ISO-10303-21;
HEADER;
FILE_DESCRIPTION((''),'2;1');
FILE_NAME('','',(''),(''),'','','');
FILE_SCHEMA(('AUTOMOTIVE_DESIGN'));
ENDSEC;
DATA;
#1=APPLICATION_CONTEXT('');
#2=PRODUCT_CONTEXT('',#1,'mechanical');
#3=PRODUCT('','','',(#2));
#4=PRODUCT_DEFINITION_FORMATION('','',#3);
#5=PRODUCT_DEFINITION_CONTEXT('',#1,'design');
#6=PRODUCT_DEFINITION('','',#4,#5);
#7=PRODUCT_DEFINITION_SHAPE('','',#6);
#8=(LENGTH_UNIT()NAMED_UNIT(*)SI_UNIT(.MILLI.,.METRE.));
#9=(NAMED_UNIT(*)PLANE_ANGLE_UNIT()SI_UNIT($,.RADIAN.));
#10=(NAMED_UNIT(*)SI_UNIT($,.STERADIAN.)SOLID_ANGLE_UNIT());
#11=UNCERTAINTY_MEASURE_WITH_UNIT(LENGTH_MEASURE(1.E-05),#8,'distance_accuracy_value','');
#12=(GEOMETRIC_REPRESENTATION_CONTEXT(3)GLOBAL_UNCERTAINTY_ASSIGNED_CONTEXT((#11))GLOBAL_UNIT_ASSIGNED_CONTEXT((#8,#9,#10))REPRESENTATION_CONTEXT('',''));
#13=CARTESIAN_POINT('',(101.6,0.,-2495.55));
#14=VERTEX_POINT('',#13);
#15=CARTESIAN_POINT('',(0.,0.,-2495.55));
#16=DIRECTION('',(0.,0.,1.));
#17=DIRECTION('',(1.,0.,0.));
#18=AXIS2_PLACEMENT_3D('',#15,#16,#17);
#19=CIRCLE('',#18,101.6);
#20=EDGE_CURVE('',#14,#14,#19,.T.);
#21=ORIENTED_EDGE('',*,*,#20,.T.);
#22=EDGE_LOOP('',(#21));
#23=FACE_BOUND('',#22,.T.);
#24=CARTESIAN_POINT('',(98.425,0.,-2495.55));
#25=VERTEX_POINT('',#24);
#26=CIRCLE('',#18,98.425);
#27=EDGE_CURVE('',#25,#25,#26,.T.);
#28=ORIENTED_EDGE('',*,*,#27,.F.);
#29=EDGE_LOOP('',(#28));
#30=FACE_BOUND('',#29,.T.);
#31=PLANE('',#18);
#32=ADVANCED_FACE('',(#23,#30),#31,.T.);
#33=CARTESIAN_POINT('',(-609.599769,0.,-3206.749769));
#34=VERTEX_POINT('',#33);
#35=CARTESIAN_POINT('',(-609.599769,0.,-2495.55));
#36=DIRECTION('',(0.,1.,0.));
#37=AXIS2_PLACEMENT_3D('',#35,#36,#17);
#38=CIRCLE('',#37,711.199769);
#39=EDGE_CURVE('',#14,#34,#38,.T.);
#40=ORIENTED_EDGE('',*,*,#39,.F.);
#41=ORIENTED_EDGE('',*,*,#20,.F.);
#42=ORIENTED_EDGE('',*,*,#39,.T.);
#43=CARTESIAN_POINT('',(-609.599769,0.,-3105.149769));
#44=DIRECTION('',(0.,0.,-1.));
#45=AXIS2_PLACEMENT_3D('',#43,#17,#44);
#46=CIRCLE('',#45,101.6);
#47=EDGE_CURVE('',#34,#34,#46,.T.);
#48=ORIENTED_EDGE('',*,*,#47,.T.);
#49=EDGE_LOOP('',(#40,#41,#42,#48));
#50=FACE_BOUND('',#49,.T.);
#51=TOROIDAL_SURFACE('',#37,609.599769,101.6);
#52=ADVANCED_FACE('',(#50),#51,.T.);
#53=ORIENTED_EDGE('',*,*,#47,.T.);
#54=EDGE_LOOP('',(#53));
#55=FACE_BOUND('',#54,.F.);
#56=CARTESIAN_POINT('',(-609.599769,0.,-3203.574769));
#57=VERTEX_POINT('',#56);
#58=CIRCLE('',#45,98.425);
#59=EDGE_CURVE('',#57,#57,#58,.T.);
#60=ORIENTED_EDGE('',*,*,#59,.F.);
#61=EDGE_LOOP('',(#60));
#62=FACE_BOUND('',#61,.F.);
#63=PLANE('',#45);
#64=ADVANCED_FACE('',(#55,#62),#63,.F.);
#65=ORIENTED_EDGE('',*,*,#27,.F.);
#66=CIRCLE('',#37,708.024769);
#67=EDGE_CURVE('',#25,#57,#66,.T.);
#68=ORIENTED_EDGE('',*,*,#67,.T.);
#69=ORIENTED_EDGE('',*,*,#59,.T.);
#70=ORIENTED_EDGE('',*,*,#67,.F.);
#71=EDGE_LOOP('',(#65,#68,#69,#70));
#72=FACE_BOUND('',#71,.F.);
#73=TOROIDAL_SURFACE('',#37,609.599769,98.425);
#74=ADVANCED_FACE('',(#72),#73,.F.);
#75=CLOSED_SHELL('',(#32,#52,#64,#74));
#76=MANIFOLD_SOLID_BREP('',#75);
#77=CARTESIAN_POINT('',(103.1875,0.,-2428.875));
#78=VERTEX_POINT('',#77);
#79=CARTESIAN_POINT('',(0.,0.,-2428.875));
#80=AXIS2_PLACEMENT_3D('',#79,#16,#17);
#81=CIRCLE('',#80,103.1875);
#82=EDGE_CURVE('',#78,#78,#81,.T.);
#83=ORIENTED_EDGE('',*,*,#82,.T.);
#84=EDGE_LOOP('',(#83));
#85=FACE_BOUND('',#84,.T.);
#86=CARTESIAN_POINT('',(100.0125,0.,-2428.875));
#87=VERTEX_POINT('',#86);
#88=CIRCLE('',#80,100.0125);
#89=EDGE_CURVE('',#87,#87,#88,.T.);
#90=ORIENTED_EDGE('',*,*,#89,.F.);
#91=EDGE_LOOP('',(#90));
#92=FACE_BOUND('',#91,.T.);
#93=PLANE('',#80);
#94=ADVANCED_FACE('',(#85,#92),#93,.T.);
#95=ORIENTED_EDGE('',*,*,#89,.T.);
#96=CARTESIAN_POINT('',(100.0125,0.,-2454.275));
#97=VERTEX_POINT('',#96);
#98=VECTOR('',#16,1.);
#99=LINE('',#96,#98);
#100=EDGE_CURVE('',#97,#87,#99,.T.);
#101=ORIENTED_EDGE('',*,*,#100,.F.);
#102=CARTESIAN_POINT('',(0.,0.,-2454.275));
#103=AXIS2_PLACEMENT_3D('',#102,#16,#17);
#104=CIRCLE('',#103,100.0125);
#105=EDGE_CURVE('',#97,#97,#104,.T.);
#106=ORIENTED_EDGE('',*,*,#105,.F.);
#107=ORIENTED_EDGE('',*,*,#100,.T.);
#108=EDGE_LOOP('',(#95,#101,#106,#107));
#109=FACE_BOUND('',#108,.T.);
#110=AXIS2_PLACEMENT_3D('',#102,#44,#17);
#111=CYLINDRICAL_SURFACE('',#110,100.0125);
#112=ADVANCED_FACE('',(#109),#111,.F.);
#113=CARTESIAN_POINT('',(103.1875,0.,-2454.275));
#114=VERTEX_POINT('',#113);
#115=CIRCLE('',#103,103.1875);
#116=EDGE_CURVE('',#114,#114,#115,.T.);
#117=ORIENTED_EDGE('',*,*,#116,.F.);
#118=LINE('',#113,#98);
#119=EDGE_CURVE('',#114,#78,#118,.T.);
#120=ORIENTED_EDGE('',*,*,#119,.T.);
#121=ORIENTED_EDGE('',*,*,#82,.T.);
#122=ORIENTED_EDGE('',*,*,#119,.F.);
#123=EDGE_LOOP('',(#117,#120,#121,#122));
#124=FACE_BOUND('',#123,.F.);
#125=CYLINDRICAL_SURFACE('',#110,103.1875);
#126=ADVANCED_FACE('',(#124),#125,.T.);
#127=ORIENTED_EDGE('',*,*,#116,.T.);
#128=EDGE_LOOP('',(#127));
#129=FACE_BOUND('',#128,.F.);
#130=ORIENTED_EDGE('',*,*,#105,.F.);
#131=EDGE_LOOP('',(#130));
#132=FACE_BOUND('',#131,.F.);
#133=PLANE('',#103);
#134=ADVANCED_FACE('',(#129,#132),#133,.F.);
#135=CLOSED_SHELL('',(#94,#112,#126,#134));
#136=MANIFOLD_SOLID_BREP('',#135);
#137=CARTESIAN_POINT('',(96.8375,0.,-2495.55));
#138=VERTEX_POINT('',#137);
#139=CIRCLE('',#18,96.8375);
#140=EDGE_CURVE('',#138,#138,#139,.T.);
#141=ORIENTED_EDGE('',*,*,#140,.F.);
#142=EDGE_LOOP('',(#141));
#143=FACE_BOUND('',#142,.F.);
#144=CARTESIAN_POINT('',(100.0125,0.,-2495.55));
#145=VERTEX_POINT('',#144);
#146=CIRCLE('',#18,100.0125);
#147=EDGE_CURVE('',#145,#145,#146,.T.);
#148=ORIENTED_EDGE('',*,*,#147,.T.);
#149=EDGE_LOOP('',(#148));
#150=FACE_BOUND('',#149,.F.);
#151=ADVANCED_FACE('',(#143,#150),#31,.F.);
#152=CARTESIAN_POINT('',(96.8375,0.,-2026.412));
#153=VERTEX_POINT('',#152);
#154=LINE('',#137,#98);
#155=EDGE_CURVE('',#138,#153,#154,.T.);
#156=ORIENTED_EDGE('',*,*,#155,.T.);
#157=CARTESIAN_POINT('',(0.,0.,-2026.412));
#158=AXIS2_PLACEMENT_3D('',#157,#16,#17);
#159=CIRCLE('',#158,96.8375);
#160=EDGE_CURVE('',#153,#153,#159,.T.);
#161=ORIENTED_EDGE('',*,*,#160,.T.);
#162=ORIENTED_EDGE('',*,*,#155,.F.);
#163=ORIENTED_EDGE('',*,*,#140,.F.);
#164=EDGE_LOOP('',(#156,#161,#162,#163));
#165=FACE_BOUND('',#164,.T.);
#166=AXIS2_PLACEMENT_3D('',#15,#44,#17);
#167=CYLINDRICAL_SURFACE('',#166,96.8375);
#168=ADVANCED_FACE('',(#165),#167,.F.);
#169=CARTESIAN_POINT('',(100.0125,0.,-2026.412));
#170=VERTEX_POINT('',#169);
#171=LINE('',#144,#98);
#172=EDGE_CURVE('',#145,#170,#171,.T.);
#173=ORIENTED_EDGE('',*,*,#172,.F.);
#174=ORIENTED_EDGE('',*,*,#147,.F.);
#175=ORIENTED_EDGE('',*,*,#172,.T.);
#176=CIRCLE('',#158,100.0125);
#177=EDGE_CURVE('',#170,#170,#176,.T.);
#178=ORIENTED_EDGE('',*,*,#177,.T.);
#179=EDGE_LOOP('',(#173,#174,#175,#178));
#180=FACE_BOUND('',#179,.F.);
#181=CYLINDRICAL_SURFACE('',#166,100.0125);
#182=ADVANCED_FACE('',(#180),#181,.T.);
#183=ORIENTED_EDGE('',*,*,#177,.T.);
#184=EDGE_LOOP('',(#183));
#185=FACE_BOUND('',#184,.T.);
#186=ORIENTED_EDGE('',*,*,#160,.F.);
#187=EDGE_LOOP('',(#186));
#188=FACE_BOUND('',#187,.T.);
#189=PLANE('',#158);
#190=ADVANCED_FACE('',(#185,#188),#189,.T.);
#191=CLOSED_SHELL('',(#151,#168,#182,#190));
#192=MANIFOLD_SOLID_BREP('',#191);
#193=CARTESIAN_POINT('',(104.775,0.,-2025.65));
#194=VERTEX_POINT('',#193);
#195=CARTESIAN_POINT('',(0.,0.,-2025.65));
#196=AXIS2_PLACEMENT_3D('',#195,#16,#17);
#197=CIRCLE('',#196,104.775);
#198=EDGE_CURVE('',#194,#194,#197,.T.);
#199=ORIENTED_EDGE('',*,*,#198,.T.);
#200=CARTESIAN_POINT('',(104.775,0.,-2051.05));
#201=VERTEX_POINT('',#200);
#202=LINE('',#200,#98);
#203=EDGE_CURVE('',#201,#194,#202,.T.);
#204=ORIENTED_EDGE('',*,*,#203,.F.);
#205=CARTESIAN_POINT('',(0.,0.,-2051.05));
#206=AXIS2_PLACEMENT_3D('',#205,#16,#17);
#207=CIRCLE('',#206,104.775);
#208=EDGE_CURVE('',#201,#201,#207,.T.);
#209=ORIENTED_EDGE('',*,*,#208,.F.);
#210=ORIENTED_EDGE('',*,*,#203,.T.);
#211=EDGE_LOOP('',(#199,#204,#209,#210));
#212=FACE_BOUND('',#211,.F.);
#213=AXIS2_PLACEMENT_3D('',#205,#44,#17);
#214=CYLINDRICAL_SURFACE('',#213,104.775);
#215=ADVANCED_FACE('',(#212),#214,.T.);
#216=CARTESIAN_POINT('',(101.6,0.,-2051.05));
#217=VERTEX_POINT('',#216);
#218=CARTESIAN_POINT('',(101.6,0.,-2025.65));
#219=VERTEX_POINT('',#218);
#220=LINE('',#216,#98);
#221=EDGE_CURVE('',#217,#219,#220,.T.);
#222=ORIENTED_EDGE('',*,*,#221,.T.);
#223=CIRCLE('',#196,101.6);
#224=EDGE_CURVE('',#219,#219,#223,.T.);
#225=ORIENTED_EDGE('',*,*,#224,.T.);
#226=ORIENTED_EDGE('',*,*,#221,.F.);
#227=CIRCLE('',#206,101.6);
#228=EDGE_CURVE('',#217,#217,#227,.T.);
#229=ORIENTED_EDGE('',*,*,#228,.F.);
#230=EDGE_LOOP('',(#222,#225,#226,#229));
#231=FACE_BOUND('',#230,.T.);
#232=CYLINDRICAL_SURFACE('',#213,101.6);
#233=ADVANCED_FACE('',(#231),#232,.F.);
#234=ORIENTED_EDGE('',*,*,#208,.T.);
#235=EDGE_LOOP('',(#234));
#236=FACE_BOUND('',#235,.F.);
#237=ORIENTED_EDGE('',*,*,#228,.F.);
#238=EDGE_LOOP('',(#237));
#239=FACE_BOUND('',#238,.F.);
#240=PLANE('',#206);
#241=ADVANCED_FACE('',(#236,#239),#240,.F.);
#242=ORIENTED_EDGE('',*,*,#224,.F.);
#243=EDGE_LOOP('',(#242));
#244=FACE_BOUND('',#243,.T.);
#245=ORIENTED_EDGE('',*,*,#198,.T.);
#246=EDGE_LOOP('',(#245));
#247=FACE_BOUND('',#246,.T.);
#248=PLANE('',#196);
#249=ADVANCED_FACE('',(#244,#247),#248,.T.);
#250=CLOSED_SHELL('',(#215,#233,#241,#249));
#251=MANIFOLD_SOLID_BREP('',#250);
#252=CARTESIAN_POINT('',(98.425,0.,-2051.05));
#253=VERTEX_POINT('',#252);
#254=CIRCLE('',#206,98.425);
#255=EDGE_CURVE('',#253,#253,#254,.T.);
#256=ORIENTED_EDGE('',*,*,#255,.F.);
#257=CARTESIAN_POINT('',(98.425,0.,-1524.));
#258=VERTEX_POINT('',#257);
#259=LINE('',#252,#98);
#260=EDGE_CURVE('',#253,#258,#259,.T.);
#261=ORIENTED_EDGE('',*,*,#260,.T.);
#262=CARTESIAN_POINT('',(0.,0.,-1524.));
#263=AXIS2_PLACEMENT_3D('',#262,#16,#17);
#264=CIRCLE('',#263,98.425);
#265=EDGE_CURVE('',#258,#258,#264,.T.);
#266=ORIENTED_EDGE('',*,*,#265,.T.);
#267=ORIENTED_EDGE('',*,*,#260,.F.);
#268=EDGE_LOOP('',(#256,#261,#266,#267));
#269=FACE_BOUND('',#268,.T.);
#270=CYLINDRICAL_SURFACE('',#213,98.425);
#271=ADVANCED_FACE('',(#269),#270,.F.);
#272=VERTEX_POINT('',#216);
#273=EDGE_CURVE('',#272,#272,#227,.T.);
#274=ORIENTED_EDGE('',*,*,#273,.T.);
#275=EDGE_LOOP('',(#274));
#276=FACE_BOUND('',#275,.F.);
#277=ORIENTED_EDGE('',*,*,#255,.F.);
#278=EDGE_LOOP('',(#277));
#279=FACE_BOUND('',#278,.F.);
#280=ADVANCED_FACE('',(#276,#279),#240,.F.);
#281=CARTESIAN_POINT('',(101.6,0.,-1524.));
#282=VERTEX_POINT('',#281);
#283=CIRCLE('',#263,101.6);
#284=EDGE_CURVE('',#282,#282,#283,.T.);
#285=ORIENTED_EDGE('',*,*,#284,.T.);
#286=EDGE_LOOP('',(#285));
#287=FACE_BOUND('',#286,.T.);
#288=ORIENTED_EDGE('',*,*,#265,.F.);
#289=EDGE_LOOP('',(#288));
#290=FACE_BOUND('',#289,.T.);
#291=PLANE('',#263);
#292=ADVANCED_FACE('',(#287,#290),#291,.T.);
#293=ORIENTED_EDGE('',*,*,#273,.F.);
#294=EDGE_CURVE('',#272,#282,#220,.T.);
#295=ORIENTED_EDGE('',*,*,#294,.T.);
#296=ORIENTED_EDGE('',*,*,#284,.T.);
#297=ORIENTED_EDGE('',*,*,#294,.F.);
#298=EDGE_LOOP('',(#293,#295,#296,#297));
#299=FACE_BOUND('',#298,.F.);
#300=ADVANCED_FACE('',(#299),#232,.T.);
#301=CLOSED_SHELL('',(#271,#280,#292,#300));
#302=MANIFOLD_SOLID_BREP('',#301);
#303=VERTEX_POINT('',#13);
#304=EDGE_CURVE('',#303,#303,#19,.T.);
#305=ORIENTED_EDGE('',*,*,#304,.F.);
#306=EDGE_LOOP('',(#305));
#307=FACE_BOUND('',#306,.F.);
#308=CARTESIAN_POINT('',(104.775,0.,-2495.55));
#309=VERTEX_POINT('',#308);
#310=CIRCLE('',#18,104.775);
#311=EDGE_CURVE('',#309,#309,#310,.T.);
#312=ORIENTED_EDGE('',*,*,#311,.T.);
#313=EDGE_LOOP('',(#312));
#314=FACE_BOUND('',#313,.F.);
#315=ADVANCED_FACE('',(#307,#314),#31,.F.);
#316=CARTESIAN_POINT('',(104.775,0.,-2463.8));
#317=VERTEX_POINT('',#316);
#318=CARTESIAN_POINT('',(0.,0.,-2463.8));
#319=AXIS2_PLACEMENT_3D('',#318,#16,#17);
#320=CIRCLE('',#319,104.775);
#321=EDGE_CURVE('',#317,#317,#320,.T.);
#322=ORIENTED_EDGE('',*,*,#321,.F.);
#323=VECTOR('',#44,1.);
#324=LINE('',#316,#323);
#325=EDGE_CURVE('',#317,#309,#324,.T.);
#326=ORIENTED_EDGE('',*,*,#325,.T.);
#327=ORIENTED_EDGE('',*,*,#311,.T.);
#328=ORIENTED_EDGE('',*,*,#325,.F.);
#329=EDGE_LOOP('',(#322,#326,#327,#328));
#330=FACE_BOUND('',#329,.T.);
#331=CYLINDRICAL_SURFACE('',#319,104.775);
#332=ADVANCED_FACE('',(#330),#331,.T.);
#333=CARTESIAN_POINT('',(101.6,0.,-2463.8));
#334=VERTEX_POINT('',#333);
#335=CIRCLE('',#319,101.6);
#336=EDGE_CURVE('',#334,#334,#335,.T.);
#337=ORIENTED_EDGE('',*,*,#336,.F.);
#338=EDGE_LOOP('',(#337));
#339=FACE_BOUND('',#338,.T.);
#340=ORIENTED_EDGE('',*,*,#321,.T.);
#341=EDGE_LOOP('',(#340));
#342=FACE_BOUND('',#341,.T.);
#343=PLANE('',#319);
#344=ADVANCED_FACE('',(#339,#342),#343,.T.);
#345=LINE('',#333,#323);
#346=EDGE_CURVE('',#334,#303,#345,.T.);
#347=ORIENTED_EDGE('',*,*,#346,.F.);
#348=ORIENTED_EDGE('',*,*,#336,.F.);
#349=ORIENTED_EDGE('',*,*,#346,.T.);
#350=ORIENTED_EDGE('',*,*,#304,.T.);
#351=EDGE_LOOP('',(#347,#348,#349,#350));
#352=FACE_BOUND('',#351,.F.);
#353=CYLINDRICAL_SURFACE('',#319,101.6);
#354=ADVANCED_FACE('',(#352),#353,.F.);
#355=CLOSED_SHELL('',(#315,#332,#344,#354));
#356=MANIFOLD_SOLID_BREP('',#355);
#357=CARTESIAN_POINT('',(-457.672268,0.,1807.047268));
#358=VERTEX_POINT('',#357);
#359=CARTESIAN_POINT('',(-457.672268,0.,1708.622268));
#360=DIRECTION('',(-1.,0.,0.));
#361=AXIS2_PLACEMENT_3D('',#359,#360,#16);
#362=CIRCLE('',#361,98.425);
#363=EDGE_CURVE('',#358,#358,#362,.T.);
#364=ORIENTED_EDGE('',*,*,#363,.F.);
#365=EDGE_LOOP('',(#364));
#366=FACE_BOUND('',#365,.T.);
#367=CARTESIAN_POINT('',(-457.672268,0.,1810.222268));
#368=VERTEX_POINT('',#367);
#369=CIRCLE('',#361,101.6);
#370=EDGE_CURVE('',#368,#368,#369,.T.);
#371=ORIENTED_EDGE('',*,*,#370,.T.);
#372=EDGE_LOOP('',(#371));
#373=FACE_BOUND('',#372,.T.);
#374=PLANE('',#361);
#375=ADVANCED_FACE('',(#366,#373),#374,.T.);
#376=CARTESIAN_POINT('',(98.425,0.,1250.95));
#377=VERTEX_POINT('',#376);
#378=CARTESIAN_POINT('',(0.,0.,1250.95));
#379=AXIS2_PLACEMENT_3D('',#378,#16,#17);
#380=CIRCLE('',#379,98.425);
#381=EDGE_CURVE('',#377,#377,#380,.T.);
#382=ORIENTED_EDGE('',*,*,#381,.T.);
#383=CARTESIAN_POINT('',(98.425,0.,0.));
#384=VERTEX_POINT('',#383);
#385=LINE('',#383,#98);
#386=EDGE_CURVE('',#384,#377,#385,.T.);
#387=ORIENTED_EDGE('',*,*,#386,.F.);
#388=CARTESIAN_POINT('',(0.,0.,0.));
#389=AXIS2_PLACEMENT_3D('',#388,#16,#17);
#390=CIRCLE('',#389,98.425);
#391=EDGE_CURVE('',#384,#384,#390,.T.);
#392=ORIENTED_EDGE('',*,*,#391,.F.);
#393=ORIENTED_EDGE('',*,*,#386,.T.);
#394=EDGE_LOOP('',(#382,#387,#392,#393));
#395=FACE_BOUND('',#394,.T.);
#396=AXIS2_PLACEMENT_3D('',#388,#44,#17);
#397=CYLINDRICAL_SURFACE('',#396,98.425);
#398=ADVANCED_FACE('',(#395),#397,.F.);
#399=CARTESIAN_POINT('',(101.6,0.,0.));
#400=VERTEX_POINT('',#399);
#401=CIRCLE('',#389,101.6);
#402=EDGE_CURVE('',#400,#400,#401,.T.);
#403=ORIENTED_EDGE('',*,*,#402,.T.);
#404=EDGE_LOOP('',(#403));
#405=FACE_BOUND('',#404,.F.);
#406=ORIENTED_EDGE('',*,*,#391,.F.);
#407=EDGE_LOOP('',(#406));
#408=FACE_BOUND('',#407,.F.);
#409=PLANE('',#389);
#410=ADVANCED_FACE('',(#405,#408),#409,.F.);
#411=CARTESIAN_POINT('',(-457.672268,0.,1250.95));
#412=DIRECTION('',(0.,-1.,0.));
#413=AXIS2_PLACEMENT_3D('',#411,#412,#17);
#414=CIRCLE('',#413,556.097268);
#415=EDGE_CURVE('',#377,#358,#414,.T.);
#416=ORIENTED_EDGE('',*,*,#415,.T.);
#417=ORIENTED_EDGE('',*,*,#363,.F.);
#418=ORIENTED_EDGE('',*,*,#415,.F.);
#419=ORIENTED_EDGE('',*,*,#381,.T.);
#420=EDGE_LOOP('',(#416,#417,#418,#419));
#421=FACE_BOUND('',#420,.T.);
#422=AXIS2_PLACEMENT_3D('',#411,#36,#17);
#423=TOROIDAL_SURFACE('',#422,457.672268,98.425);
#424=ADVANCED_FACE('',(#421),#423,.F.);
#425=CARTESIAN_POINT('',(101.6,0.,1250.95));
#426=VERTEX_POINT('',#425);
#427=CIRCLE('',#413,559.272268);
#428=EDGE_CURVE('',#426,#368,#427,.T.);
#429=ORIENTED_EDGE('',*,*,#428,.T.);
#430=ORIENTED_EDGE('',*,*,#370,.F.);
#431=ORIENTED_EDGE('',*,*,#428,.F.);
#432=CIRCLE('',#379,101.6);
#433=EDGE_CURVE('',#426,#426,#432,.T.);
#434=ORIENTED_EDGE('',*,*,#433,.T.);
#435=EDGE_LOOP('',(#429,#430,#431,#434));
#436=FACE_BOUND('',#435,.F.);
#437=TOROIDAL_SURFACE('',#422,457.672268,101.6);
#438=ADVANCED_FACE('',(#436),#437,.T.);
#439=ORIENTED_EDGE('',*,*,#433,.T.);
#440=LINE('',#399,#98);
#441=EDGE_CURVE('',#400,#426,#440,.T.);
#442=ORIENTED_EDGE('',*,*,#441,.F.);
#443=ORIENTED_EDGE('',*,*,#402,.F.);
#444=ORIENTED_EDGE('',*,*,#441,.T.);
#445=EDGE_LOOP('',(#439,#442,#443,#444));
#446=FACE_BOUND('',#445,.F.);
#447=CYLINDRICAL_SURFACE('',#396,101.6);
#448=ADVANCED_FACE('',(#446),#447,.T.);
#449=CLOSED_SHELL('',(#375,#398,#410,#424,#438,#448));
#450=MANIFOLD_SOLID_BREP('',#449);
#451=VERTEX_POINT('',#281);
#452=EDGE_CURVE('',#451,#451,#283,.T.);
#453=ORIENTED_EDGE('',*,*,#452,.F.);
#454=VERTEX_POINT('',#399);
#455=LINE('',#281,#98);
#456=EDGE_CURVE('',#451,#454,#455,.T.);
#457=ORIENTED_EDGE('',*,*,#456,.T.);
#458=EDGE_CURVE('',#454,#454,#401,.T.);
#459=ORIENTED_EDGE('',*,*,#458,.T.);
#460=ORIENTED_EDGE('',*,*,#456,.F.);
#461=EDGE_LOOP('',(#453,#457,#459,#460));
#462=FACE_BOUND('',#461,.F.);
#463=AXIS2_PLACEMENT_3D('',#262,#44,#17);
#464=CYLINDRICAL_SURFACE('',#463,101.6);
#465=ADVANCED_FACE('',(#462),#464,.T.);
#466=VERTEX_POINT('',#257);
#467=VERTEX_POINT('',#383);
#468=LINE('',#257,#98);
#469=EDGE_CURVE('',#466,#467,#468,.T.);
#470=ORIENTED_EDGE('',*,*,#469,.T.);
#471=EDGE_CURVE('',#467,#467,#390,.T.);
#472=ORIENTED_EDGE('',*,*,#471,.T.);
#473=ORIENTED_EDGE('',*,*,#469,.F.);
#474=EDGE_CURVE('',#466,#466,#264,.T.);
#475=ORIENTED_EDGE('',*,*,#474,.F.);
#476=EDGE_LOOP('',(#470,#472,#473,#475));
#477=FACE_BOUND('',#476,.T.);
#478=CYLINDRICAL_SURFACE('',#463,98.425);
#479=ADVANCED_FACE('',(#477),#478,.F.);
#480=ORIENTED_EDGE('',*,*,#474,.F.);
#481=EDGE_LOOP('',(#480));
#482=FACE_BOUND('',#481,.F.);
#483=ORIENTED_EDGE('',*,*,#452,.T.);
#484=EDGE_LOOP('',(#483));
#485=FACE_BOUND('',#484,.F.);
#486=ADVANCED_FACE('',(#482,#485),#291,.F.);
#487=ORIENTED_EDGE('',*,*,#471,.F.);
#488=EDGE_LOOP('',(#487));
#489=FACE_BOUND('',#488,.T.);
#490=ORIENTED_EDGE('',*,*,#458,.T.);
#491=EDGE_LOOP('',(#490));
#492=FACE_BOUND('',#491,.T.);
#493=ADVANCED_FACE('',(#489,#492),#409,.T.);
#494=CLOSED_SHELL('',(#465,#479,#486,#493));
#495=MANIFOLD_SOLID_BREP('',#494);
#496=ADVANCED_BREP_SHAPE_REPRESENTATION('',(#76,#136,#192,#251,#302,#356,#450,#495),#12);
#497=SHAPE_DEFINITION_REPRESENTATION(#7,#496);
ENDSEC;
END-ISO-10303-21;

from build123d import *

# Parameters (mm, degrees)
F4_R      = 101.6
F4_R_2    = 98.425
F5_ANGLE  = 90
F2_R      = 104.775
F2_R_2    = 101.6
F7_DEPTH  = 31.75
F8_R      = 104.775
F8_R_2    = 101.6
F9_DEPTH  = 25.4
F10_R     = 100.0125
F10_R_2   = 96.8375
F11_DEPTH = 469.138
F13_R     = 103.1875
F13_R_2   = 100.0125
F14_DEPTH = 25.4
F15_R     = 101.6
F15_R_2   = 98.425
F16_DEPTH = 527.05
F18_R     = 101.6
F18_R_2   = 98.425
F19_DEPTH = 1524
F22_R     = 101.6
F22_R_2   = 98.425
F23_ANGLE = 90
F20_R     = 101.6
F20_R_2   = 98.425
F24_DEPTH = 1250.95


with BuildPart() as f5:
    # F4 (on line) → F5 (revolve)
    with BuildSketch(Plane.XY.offset(-2495.55)):
        Circle(F4_R)
        Circle(F4_R_2, mode=Mode.SUBTRACT)
    revolve(axis=Axis((-609.5997691154, -101.6, -2495.55), (0, 1, 0)), revolution_arc=F5_ANGLE)


with BuildPart() as f7:
    # F2 (on line) → F7 (new body)
    with BuildSketch(Plane.XY.offset(-2463.8)):
        Circle(F2_R)
        Circle(F2_R_2, mode=Mode.SUBTRACT)
    extrude(amount=-F7_DEPTH)


with BuildPart() as f9:
    # F8 (on line) → F9 (new body)
    with BuildSketch(Plane.XY.offset(-2051.05)):
        Circle(F8_R)
        Circle(F8_R_2, mode=Mode.SUBTRACT)
    extrude(amount=F9_DEPTH)


with BuildPart() as f11:
    # F10 (on line) → F11 (new body)
    with BuildSketch(Plane.XY.offset(-2495.55)):
        Circle(F10_R)
        Circle(F10_R_2, mode=Mode.SUBTRACT)
    extrude(amount=F11_DEPTH)


with BuildPart() as f14:
    # F13 (on line) → F14 (new body)
    with BuildSketch(Plane.XY.offset(-2454.275)):
        Circle(F13_R)
        Circle(F13_R_2, mode=Mode.SUBTRACT)
    extrude(amount=F14_DEPTH)


with BuildPart() as f16:
    # F15 (on line) → F16 (new body)
    with BuildSketch(Plane.XY.offset(-2051.05)):
        Circle(F15_R)
        Circle(F15_R_2, mode=Mode.SUBTRACT)
    extrude(amount=F16_DEPTH)


with BuildPart() as f19:
    # F18 (on line) → F19 (new body)
    with BuildSketch(Plane.XY.offset(-1524)):
        Circle(F18_R)
        Circle(F18_R_2, mode=Mode.SUBTRACT)
    extrude(amount=F19_DEPTH)


with BuildPart() as f23:
    # F22 (on line) → F23 (revolve)
    with BuildSketch(Plane.XY.offset(1250.95)):
        Circle(F22_R)
        Circle(F22_R_2, mode=Mode.SUBTRACT)
    revolve(axis=Axis((-457.6722681522, -101.6, 1250.95), (0, -1, 0)), revolution_arc=F23_ANGLE)

    # F20 (on Top) → F24 (join)
    with BuildSketch(Plane.XY):
        Circle(F20_R)
        Circle(F20_R_2, mode=Mode.SUBTRACT)
    extrude(amount=F24_DEPTH)


solid = Compound([f5.part, f7.part, f9.part, f11.part, f14.part, f16.part, f19.part, f23.part])
